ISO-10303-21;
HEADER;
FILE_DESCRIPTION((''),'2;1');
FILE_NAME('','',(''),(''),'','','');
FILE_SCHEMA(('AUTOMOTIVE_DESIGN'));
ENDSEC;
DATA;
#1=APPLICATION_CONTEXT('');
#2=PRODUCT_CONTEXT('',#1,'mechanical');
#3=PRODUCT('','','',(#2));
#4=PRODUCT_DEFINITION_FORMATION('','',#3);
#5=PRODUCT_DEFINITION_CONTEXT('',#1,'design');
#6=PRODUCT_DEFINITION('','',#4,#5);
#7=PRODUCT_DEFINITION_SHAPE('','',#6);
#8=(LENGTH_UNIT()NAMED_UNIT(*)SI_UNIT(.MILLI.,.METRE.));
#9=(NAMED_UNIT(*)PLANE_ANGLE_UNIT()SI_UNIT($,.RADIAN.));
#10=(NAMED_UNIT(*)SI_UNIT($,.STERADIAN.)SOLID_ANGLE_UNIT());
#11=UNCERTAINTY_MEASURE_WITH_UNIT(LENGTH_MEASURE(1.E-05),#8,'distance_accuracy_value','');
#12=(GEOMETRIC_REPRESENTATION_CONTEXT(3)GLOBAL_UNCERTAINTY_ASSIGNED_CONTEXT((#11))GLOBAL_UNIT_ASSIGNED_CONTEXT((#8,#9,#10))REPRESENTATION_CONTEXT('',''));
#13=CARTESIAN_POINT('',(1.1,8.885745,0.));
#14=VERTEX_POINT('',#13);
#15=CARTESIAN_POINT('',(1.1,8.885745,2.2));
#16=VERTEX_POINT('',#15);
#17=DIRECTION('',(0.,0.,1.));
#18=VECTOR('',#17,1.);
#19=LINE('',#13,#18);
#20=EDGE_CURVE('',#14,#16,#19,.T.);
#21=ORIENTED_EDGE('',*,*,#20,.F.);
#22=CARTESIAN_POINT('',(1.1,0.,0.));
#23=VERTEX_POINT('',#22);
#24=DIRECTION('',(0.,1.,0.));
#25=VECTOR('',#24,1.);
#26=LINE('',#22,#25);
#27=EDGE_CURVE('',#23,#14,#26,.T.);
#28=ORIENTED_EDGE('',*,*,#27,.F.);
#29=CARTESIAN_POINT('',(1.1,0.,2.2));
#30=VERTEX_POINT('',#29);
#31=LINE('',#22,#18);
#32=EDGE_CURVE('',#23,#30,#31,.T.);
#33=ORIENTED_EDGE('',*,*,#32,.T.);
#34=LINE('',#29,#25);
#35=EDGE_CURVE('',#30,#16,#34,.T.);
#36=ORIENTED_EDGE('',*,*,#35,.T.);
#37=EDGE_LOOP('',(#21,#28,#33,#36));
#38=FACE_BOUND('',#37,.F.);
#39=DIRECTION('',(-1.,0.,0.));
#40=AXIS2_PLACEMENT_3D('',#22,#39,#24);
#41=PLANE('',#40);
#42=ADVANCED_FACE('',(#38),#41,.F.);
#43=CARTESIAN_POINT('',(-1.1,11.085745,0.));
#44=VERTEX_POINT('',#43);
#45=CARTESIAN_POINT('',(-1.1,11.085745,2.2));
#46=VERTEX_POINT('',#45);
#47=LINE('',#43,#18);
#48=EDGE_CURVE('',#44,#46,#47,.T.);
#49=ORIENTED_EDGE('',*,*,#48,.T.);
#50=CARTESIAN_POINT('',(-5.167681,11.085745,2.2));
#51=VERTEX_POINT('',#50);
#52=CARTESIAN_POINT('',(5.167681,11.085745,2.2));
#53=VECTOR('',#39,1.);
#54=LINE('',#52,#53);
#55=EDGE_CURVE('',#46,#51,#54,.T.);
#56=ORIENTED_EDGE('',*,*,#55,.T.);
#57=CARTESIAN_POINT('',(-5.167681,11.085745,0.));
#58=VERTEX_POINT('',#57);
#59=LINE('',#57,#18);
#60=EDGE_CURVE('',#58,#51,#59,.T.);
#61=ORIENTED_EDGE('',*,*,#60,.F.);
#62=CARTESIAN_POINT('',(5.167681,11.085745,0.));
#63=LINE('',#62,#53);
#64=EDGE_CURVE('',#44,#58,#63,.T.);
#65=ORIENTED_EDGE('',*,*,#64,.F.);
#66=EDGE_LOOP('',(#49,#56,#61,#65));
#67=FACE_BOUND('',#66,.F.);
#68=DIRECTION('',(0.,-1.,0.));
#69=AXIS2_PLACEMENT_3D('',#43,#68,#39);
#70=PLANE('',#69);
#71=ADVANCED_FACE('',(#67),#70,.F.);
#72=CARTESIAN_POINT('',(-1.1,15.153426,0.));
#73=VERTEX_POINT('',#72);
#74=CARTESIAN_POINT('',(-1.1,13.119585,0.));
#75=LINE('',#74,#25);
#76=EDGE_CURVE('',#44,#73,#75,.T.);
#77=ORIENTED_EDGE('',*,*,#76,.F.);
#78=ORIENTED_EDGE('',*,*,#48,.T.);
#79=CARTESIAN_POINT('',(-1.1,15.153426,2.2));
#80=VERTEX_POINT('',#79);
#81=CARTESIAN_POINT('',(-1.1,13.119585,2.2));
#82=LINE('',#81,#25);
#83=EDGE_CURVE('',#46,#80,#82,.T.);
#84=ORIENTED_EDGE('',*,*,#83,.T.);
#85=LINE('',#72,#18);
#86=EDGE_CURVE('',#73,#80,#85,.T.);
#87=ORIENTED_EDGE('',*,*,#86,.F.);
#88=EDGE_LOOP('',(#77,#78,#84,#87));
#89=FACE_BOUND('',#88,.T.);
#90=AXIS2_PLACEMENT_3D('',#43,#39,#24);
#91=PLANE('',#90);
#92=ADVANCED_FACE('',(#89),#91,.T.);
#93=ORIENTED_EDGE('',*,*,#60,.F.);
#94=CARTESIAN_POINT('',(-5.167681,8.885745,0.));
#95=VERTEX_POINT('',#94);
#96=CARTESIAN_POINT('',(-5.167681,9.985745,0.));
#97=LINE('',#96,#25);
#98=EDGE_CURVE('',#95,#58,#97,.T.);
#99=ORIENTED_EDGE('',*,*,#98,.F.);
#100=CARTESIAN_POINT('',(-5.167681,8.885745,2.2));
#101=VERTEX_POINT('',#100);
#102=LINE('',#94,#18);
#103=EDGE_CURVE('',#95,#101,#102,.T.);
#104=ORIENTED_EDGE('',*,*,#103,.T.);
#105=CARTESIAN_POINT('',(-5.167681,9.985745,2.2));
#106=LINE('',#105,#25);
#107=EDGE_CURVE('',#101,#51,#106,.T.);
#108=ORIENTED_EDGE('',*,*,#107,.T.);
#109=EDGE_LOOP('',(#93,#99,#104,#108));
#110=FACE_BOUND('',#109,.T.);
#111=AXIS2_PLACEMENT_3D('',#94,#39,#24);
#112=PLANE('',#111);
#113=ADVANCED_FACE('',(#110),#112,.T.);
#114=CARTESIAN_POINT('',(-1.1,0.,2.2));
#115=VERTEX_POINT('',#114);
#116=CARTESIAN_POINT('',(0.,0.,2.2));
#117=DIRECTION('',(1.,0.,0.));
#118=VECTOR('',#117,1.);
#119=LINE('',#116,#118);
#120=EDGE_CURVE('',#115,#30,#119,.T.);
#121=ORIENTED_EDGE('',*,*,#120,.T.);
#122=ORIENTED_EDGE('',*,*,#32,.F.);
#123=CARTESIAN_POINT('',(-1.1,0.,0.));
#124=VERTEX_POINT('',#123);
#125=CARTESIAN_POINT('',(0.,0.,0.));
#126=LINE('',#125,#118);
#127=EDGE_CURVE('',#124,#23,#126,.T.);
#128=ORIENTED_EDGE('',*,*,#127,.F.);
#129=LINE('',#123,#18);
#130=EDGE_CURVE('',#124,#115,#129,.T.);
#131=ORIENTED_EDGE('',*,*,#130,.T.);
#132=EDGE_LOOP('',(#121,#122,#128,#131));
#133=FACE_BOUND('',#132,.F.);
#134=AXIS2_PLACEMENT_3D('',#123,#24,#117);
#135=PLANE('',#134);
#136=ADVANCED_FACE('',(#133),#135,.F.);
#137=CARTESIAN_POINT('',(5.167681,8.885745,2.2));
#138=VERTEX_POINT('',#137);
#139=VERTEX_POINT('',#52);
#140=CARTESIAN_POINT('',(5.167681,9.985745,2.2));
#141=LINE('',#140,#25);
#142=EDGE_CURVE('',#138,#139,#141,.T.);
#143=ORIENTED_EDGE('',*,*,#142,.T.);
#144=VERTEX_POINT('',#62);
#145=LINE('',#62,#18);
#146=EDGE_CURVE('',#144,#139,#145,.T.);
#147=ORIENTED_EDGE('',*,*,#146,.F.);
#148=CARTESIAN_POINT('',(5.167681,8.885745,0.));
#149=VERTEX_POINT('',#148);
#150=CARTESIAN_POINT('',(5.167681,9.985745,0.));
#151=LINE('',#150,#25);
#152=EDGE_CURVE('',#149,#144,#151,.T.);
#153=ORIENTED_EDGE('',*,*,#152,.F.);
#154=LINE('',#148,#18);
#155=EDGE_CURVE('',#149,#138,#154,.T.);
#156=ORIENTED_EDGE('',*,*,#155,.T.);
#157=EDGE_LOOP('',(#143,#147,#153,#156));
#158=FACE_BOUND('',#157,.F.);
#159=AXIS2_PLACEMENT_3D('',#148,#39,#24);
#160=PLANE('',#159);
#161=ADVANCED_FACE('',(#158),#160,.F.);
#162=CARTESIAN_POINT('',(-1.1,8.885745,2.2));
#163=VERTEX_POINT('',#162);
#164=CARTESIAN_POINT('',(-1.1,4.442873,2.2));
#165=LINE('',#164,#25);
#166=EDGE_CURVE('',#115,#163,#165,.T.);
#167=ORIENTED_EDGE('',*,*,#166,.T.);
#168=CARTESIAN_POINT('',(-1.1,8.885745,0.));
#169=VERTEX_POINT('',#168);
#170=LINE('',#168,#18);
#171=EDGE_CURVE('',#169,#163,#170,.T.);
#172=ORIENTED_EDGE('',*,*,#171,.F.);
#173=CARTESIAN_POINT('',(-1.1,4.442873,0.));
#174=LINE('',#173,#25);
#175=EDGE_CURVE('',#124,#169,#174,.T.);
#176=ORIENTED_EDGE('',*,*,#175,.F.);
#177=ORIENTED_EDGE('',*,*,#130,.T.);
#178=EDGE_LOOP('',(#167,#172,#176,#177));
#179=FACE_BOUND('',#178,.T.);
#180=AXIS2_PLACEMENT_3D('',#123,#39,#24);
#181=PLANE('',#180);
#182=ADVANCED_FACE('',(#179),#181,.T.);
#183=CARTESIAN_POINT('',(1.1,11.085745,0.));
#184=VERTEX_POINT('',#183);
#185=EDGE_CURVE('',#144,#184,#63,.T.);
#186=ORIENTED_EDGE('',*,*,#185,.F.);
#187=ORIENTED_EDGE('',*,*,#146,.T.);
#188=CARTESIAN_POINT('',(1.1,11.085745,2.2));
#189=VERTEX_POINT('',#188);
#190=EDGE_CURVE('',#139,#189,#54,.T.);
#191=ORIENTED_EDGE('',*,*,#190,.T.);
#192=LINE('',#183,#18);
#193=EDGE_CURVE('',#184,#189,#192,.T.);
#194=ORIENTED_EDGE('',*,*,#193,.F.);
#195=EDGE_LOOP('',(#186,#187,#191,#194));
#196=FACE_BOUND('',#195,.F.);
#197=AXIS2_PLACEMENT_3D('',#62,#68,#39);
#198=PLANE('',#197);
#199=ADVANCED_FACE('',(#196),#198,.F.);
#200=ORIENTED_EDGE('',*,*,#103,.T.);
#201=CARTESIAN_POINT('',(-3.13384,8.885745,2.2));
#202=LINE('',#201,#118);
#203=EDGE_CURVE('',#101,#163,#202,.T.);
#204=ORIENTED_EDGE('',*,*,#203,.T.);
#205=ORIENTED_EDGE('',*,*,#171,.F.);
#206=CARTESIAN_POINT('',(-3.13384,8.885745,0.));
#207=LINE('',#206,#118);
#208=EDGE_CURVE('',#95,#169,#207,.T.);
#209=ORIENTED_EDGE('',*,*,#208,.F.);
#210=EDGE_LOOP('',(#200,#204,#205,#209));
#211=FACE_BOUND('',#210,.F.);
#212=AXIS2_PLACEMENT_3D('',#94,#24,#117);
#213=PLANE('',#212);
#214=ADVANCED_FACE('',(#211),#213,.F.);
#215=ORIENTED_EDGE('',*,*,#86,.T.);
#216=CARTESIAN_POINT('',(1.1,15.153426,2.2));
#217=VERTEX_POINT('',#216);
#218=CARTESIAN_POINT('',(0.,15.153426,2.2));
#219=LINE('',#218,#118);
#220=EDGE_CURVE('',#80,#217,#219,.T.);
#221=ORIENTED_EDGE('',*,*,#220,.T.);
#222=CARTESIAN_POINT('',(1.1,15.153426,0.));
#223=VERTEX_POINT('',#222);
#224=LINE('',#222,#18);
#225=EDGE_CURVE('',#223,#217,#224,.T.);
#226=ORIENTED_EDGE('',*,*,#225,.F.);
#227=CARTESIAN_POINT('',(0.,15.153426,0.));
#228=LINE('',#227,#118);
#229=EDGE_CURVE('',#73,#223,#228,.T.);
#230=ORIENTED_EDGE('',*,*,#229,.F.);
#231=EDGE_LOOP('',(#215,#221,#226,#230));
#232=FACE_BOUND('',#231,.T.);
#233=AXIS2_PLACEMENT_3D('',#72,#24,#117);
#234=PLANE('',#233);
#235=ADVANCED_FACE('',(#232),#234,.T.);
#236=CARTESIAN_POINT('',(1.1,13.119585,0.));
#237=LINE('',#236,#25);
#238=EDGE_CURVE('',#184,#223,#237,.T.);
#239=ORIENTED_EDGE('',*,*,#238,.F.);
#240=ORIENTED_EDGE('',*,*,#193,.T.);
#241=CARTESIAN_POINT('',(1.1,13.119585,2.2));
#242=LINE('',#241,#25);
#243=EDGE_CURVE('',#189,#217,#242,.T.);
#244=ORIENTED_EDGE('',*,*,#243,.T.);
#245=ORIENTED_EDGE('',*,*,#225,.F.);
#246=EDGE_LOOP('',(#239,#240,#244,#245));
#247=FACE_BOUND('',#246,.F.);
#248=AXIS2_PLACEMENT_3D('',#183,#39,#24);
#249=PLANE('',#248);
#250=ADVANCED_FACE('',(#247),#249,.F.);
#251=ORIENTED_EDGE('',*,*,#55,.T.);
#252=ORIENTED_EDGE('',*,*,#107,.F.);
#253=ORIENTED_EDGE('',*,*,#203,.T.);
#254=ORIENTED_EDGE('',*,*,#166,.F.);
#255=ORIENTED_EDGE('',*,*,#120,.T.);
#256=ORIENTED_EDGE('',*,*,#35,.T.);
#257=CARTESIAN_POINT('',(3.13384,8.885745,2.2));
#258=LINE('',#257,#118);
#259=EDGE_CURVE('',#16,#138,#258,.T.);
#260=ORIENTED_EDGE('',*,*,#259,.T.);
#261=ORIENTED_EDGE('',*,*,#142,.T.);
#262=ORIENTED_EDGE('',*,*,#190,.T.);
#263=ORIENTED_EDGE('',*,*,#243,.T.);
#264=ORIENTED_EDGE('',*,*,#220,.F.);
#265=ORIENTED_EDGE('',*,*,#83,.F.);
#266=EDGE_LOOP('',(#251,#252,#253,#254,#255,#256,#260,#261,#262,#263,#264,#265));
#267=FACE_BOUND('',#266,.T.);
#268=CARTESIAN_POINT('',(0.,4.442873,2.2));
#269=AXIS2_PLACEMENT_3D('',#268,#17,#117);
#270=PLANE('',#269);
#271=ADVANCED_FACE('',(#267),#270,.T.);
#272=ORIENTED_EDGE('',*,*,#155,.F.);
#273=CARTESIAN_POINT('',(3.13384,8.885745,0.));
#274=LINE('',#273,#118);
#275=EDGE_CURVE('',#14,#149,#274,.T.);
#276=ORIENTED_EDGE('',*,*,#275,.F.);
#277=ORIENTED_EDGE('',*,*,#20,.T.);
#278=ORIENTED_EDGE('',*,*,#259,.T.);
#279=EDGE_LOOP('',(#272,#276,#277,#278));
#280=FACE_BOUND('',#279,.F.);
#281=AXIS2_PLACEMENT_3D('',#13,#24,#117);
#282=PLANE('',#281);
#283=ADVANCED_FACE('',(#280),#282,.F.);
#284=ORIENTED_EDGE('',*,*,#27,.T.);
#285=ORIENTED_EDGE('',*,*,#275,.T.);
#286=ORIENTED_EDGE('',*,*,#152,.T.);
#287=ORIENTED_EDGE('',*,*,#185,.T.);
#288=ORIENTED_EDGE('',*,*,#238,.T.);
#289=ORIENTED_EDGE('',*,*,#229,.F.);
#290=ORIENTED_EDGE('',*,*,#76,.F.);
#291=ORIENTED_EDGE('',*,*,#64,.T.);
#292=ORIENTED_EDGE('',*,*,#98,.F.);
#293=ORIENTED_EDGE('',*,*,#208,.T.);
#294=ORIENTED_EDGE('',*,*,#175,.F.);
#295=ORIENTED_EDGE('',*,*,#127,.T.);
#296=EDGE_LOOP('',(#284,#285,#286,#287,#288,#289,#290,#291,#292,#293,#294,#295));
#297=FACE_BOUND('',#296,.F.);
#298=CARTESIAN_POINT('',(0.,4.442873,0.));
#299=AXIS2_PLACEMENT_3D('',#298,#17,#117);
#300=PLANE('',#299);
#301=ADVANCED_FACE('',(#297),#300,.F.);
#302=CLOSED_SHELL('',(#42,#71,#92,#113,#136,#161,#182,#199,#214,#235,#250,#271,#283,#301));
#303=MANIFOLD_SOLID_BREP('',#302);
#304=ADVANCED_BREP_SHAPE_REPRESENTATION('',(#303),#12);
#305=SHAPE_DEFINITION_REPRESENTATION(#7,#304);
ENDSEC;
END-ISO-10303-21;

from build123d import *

# Parameters (mm, degrees)
F0_W     = 2.2
F0_H     = 8.8857451557
F0_W_2   = 4.0676805899
F0_H_2   = 2.2
F0_H_3   = 4.0676805899
F1_DEPTH = 2.2


with BuildPart() as f1:
    # F0 (on Top) → F1 (new body)
    with BuildSketch(Plane.XY):
        with Locations((0, 4.4428725779)):
            Rectangle(F0_W, F0_H)
        with Locations((-3.133840295, 9.9857451557)):
            Rectangle(F0_W_2, F0_H_2)
        with Locations((0, 9.9857451557)):
            Rectangle(F0_W, F0_H_2)
        with Locations((3.133840295, 9.9857451557)):
            Rectangle(F0_W_2, F0_H_2)
        with Locations((0, 13.1195854507)):
            Rectangle(F0_W, F0_H_3)
    extrude(amount=F1_DEPTH)


solid = f1.part
